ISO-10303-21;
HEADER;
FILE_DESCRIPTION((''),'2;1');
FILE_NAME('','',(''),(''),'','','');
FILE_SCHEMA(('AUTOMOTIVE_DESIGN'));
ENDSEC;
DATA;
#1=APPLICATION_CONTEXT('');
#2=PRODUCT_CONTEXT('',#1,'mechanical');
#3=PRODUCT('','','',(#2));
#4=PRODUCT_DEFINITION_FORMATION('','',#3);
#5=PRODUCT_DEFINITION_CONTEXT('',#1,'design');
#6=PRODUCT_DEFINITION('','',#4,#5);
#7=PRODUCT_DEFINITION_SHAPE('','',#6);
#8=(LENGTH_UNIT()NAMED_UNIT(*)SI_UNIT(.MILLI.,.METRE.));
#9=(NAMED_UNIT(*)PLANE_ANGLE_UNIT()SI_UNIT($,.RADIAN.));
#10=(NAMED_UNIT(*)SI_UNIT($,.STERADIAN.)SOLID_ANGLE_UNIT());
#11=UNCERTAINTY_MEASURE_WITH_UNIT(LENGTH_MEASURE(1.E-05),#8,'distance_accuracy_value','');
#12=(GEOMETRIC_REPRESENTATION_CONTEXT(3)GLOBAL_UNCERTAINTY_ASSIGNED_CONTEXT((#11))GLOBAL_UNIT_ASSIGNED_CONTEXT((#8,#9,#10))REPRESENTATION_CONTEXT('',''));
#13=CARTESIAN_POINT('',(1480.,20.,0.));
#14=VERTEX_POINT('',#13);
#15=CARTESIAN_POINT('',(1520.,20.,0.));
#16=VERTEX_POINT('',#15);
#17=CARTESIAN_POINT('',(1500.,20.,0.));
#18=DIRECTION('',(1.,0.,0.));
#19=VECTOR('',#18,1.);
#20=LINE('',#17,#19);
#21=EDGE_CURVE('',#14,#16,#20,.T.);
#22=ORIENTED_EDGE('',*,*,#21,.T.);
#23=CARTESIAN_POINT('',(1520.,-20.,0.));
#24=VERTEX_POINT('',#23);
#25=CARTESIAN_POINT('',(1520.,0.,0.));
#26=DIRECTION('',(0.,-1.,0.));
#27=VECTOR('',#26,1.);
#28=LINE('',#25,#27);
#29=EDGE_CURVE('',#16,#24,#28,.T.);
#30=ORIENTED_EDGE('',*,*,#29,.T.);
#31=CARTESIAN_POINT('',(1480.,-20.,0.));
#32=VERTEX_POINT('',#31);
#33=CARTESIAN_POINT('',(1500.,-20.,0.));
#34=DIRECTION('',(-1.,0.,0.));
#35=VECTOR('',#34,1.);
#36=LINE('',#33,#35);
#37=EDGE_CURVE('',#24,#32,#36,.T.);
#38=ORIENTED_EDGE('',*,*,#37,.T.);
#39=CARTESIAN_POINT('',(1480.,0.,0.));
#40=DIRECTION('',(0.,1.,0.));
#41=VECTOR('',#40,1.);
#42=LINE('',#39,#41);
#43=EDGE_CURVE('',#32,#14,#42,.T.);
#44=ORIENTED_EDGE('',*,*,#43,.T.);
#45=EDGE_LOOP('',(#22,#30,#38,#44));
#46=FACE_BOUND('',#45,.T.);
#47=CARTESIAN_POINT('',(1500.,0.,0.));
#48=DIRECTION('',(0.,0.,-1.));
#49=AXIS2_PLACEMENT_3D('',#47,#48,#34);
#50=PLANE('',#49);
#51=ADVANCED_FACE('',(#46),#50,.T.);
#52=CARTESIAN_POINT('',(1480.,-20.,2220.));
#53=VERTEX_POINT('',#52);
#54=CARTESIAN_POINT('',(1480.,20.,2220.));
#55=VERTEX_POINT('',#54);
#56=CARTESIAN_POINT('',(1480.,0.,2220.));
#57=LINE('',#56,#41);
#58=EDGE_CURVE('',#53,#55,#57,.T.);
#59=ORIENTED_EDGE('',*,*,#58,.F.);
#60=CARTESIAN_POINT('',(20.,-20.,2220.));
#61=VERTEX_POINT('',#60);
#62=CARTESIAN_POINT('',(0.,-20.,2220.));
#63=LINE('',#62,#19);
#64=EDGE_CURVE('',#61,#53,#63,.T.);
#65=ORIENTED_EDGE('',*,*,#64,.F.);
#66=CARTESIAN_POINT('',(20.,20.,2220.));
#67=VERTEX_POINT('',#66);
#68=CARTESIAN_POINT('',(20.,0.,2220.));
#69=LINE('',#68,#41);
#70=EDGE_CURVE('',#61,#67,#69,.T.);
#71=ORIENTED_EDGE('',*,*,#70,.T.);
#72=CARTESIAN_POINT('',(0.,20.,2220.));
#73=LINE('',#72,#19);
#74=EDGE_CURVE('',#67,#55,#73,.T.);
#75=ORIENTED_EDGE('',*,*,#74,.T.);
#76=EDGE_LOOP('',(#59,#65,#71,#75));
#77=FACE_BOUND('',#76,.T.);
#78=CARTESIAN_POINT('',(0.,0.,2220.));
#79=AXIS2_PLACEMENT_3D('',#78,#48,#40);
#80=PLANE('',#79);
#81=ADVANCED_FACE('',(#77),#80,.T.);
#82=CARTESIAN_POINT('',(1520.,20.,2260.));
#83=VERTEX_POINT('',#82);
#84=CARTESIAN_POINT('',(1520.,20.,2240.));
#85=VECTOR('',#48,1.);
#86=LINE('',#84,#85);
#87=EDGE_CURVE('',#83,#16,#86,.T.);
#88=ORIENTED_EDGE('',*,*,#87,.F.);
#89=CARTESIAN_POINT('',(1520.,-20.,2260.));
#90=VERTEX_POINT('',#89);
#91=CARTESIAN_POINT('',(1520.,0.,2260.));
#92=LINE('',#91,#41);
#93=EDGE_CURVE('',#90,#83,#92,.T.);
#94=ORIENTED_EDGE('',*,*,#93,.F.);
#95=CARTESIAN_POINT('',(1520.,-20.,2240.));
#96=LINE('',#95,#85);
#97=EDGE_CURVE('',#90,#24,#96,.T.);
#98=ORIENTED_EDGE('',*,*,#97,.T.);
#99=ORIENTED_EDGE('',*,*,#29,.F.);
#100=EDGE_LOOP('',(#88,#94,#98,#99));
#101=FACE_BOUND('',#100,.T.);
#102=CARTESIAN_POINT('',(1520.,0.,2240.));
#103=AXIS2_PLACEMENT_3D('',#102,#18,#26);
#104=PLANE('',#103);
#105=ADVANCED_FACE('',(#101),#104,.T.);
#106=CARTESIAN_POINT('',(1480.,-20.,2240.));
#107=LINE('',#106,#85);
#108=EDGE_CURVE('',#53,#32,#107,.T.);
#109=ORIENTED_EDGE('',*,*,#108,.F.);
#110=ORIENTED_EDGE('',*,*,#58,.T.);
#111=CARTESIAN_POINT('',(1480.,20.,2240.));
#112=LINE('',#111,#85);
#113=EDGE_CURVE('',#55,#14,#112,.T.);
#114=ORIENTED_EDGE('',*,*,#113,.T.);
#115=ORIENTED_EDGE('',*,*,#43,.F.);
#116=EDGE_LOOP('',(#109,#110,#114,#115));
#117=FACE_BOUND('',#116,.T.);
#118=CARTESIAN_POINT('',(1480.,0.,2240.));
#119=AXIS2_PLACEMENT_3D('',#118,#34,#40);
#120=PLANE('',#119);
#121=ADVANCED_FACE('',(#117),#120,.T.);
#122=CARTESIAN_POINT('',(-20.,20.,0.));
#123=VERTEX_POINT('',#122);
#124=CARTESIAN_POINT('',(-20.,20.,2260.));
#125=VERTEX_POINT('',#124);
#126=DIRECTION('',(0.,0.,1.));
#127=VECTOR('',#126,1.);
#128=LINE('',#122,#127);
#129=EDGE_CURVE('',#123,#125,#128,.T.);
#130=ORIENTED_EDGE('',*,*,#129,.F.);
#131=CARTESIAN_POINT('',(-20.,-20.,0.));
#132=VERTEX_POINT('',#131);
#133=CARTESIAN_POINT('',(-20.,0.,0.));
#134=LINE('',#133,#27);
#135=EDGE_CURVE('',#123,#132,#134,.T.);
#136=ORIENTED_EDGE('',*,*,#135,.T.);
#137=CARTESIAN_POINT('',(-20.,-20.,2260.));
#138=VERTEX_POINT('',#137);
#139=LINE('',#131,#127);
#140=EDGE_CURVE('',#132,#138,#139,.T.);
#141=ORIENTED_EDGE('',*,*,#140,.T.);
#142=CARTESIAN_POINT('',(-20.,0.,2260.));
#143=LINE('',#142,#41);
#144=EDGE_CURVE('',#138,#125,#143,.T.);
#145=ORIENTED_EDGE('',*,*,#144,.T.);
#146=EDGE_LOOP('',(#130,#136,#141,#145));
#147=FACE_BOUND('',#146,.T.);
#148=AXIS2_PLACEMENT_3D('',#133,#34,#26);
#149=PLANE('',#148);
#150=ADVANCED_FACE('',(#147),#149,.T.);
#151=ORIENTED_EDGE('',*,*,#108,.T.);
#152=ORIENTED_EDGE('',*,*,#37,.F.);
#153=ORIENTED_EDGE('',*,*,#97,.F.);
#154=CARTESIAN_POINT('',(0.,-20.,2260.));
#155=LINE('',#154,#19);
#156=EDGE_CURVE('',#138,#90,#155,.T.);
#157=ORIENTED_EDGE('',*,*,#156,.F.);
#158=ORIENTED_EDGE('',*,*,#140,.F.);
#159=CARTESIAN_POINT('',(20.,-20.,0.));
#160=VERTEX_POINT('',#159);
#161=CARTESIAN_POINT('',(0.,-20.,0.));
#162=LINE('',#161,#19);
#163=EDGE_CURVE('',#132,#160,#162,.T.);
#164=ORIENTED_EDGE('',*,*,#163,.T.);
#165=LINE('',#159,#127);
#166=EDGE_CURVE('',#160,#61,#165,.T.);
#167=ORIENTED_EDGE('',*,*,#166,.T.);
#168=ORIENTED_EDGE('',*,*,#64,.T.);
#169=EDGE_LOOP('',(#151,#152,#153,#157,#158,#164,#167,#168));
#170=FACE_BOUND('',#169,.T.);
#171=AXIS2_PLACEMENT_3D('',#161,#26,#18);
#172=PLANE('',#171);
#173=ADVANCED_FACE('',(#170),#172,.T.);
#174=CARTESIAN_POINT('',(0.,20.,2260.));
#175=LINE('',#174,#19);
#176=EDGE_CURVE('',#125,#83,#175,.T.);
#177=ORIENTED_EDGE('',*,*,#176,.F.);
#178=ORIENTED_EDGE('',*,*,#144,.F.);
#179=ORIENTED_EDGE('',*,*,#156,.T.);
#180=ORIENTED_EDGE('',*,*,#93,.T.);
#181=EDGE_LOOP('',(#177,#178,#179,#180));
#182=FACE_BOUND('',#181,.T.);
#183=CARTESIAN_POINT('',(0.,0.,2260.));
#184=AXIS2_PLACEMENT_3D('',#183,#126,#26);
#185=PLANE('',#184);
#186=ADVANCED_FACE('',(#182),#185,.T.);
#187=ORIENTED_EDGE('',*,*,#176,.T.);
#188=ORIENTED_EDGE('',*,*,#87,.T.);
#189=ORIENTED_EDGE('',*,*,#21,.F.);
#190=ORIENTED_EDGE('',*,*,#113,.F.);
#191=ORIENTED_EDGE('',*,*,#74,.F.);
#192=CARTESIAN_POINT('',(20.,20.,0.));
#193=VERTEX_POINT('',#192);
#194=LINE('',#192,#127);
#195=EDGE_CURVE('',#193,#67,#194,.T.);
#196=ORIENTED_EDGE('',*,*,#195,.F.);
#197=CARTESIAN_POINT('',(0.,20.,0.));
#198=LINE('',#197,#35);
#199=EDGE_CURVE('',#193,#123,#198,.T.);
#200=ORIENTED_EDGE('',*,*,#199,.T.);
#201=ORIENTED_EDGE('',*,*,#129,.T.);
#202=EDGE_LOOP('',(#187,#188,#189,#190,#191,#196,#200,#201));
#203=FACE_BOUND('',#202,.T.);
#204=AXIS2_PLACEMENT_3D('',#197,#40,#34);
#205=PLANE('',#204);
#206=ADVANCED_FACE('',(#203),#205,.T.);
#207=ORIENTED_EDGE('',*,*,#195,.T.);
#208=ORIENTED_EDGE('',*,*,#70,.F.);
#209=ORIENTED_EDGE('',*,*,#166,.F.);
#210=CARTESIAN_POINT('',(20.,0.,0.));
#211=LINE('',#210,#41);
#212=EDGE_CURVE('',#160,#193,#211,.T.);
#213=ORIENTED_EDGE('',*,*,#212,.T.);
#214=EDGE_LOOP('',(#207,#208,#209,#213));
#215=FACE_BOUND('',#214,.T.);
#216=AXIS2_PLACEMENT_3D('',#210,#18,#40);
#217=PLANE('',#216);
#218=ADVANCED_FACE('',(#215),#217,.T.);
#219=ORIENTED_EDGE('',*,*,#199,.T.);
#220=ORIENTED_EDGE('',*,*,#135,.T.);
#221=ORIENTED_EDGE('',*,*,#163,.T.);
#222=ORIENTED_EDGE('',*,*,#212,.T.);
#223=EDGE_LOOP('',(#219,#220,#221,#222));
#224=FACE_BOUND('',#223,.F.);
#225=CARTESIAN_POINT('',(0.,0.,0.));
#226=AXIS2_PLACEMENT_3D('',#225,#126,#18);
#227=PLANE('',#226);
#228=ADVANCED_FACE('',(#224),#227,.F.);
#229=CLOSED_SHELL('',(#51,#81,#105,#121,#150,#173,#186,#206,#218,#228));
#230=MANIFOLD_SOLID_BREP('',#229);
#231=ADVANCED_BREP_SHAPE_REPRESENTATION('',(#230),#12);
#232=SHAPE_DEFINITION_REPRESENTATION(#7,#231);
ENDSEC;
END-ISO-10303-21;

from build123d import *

# Parameters (mm, degrees)
F0_W = 40
F0_H = 40


with BuildPart() as f2:
    # F2: sweep along a path in F1
    with BuildLine(Plane.XZ) as f2_path:
        Line((0, 0), (0, 2240))
        Line((0, 2240), (1500, 2240))
        Line((1500, 2240), (1500, 0))
    # F0 (on Top) → F2 (sweep)
    with BuildSketch(Plane.XY):
        Rectangle(F0_W, F0_H)
    sweep(path=f2_path.line, transition=Transition.RIGHT)


solid = f2.part
